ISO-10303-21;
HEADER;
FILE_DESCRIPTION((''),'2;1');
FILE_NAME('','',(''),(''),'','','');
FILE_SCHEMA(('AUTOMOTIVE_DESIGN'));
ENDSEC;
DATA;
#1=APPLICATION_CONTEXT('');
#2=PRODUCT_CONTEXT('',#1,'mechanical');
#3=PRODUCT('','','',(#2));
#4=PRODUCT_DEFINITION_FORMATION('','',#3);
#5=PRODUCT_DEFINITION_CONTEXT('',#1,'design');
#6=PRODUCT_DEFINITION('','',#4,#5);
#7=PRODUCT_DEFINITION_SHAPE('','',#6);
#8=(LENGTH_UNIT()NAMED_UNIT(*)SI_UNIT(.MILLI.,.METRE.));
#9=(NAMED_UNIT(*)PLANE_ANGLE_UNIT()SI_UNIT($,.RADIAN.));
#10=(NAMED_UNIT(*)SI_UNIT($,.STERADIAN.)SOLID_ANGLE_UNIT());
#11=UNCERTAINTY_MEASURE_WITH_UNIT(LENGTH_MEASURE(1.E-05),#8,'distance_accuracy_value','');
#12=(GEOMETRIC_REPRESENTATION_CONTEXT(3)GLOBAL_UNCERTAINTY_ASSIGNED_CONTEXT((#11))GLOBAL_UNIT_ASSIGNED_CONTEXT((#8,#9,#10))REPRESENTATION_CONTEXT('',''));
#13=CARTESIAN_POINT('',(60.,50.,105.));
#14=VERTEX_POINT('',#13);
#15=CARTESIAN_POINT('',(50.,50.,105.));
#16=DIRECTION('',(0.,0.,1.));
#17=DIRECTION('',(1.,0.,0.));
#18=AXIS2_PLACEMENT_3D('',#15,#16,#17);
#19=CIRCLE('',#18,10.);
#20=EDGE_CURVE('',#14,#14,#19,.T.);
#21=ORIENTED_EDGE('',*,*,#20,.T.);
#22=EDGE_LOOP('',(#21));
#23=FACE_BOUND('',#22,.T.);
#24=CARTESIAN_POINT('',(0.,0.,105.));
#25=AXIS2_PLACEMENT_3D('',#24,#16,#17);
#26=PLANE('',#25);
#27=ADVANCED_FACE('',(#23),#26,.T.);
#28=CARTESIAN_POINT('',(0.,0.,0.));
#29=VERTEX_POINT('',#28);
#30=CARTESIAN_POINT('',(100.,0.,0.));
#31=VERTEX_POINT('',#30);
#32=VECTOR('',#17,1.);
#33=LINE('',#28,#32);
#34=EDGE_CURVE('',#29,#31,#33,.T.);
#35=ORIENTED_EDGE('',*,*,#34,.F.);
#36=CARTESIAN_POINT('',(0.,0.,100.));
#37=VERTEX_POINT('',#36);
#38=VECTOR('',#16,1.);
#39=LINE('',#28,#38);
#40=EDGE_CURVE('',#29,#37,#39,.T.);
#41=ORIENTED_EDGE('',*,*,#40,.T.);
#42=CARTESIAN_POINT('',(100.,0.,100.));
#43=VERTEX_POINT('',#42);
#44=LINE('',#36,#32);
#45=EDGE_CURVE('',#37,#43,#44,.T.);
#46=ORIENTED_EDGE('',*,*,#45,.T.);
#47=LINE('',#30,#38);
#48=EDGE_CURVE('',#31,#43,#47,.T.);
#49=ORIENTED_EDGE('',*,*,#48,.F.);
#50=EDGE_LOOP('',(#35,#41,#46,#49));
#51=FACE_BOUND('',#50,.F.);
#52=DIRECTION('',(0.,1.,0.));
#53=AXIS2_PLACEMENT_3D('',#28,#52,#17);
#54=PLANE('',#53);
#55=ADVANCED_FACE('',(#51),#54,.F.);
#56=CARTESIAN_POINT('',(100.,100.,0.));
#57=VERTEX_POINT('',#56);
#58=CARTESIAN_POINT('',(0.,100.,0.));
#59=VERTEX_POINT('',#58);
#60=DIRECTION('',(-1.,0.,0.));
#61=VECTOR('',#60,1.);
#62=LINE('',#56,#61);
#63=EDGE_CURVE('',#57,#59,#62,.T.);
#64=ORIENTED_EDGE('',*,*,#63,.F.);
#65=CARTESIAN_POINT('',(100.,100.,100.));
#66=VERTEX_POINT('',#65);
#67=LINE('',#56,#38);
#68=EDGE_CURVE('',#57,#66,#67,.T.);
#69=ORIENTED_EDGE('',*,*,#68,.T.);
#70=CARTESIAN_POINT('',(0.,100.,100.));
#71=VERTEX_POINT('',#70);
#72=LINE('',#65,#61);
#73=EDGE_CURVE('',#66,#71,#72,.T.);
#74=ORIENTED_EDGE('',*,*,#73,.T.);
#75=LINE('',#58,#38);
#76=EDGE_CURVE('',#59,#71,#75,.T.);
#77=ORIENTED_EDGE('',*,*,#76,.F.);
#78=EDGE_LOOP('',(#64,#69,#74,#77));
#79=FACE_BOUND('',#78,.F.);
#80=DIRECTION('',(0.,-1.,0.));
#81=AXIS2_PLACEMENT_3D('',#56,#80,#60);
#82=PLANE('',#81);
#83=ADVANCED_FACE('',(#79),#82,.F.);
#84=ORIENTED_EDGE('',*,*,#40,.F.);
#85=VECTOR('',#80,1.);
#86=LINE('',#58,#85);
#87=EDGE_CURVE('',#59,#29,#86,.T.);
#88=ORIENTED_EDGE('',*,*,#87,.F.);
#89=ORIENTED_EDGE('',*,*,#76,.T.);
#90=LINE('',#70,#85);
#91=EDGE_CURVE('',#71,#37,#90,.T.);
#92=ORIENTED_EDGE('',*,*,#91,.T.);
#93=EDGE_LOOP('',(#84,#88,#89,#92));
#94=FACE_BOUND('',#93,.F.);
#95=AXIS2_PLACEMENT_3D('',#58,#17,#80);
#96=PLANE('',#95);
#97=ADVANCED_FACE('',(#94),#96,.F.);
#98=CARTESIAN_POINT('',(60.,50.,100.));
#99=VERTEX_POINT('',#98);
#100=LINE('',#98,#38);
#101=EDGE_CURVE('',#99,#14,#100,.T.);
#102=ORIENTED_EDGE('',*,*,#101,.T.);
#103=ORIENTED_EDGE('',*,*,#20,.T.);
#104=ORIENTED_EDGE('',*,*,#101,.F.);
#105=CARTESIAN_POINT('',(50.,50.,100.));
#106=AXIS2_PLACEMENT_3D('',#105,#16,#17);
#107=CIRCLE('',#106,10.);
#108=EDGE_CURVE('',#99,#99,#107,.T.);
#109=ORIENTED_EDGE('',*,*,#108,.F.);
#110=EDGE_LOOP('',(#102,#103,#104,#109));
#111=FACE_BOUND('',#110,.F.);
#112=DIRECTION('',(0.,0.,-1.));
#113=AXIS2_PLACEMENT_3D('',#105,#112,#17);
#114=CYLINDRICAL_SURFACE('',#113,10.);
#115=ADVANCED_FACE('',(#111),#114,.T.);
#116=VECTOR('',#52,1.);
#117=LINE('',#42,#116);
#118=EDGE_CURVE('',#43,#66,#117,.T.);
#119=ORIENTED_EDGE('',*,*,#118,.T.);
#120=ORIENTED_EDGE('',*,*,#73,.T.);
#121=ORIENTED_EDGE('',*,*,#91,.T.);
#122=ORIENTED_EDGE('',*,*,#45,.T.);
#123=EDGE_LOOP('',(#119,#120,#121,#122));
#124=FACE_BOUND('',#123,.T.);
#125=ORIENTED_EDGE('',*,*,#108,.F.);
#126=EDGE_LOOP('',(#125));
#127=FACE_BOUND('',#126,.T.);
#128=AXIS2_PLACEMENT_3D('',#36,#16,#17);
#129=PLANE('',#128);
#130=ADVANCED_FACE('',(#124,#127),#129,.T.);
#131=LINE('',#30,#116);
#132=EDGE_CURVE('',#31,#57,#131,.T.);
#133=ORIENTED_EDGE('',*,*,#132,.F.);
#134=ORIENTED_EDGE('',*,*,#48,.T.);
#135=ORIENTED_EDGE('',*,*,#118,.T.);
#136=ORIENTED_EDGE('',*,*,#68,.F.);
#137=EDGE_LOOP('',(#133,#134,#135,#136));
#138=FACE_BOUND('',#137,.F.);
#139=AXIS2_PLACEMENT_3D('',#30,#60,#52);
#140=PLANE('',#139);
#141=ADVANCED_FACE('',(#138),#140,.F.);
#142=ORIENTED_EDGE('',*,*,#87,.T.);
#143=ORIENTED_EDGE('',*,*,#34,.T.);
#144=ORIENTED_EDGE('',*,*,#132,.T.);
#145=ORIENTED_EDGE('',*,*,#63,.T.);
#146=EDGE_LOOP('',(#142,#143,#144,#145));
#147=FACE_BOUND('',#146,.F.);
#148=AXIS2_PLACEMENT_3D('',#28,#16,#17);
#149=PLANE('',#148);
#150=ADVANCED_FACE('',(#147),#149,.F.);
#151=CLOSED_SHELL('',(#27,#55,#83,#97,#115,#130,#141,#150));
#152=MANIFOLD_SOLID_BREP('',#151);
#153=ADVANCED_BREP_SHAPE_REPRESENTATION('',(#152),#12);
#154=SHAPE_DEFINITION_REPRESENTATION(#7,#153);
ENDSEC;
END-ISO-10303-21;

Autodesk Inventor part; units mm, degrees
ref_plane "YZ Plane" through (0, 0, 0) normal (1, 0, 0) x (0, 1, 0)
ref_plane "XZ Plane" through (0, 0, 0) normal (0, 1, 0) x (-1, 0, 0)
ref_plane "XY Plane" through (0, 0, 0) normal (0, 0, 1) x (1, 0, 0)
sketch "Sketch1" plane through (0, 0, 0) normal (0, 0, 1) x (1, 0, 0)
  line L0 (100, 100) -> (0, 100)
  line L1 (0, 100) -> (0, 0)
  line L2 (0, 0) -> (100, 0)
  line L3 (100, 0) -> (100, 100)
  line L4 (100, 100) -> (0, 0) construction
  line L5 (0, 100) -> (100, 0) construction
  point P0 (50, 50)
  dimension "d2" = 100
  dimension "d3" = 100
extrude "Extrusion1" add sketch "Sketch1" along normal blind 100
sketch "Sketch2" plane through (0, 0, 100) normal (0, 0, 1) x (1, 0, 0)
  circle A0 centre (50, 50) radius 10
  dimension "d4" = 20
extrude "Extrusion2" add sketch "Sketch2" along normal blind 5 and the other way blind 95
properties part number "Solid_Simple_SmallProtrusion"
